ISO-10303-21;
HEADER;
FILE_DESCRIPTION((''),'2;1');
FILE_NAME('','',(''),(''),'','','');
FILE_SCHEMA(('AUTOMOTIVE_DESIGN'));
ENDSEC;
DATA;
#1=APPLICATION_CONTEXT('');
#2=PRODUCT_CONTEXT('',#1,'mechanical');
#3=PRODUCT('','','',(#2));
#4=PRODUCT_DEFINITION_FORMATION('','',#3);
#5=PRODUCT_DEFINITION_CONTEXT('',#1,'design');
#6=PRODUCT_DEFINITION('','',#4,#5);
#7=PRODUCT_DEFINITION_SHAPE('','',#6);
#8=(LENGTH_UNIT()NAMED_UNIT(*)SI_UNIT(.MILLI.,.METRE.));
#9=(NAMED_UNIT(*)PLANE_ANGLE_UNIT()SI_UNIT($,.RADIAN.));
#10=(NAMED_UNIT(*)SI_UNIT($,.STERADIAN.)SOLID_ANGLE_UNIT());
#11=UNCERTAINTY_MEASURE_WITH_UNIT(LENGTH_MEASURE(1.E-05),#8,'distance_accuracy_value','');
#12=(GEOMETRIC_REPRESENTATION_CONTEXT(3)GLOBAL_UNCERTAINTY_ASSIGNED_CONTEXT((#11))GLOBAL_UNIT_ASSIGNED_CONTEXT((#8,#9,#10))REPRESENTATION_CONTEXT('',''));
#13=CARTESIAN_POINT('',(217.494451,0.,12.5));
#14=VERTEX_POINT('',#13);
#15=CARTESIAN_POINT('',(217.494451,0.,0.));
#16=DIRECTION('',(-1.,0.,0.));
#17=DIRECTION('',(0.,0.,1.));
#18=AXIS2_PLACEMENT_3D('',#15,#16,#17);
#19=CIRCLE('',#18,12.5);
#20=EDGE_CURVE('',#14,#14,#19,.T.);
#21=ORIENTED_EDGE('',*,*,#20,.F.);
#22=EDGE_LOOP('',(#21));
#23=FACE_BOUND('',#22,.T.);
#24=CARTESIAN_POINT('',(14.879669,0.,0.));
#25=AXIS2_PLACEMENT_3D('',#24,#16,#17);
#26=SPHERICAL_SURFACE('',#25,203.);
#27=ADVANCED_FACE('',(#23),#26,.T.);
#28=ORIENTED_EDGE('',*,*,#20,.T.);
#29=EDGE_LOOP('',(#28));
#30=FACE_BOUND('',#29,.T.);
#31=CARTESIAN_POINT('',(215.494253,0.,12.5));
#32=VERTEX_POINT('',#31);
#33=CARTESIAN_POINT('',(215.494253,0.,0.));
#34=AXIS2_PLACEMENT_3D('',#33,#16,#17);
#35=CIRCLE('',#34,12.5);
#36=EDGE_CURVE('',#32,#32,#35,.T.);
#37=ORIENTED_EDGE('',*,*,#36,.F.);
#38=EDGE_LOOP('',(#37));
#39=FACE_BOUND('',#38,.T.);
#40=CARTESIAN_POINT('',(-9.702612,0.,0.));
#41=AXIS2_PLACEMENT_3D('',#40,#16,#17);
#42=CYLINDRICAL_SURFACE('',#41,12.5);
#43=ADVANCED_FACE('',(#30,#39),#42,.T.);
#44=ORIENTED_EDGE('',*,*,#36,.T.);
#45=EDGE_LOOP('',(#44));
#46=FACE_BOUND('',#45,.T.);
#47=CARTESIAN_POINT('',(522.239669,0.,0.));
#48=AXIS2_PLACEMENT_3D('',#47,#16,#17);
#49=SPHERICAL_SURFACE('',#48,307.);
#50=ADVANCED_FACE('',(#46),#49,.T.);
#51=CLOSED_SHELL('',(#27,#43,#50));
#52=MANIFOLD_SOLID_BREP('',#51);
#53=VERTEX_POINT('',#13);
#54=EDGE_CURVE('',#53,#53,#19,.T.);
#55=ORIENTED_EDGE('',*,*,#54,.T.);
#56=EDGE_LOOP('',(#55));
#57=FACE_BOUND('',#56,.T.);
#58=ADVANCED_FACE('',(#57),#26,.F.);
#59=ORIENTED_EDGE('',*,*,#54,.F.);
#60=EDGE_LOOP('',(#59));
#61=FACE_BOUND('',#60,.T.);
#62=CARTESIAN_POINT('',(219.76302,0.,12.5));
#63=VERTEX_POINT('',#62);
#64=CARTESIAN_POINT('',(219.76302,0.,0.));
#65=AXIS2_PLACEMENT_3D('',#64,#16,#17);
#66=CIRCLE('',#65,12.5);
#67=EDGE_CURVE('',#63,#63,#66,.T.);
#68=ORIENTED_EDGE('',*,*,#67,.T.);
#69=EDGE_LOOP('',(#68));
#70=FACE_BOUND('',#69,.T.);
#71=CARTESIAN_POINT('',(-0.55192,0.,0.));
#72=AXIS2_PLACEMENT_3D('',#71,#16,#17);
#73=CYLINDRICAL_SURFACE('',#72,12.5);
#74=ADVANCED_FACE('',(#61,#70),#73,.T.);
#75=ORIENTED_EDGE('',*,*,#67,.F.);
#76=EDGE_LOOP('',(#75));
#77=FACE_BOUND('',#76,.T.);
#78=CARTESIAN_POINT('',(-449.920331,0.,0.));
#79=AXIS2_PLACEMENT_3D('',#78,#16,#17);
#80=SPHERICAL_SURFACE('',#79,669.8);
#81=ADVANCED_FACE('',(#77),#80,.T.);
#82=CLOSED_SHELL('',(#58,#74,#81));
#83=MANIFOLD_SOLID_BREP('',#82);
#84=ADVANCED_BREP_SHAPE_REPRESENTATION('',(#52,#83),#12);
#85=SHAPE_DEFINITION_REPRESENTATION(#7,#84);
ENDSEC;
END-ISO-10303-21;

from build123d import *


with BuildPart() as part:
    # 草图1 one side → 旋转1 (revolve)
    with BuildSketch(Plane(origin=(0, 0, 0), x_dir=(1, 0, 0), z_dir=(0, 1, 0)), mode=Mode.PRIVATE) as revolve_1_sk:
        with BuildLine():
            ThreePointArc((215.49425336, 12.5), (215.303321669, 6.25129613), (215.239668974, 0))
            Line((215.239668974, 0), (217.879668974, 0))
            ThreePointArc((217.879668974, 0), (217.78334169, 6.252967149), (217.494451258, 12.5))
            Line((217.494451258, 12.5), (215.49425336, 12.5))
        make_face()
    revolve(revolve_1_sk.sketch.rotate(Axis((-9.702612178, 0, 0), (1, 0, 0)), 180), axis=Axis((-9.702612178, 0, 0), (1, 0, 0)))  # turned: the seam where the file's is


with BuildPart() as body_2:
    # 草图2 one side → 旋转3 (revolve)
    with BuildSketch(Plane(origin=(0, 0, 0), x_dir=(1, 0, 0), z_dir=(0, 1, 0)), mode=Mode.PRIVATE) as revolve_3_sk:
        with BuildLine():
            Line((219.763019521, 12.5), (217.494451258, 12.5))
            ThreePointArc((217.494451258, 12.5), (217.78334169, 6.252967149), (217.879668974, 0))
            Line((217.879668974, 0), (219.879668974, 0))
            ThreePointArc((219.879668974, 0), (219.850505975, 6.250272136), (219.763019521, 12.5))
        make_face()
    revolve(revolve_3_sk.sketch.rotate(Axis((-0.551919993, 0, 0), (1, 0, 0)), 180), axis=Axis((-0.551919993, 0, 0), (1, 0, 0)))  # turned: the seam where the file's is


solid = Compound([part.part, body_2.part])
